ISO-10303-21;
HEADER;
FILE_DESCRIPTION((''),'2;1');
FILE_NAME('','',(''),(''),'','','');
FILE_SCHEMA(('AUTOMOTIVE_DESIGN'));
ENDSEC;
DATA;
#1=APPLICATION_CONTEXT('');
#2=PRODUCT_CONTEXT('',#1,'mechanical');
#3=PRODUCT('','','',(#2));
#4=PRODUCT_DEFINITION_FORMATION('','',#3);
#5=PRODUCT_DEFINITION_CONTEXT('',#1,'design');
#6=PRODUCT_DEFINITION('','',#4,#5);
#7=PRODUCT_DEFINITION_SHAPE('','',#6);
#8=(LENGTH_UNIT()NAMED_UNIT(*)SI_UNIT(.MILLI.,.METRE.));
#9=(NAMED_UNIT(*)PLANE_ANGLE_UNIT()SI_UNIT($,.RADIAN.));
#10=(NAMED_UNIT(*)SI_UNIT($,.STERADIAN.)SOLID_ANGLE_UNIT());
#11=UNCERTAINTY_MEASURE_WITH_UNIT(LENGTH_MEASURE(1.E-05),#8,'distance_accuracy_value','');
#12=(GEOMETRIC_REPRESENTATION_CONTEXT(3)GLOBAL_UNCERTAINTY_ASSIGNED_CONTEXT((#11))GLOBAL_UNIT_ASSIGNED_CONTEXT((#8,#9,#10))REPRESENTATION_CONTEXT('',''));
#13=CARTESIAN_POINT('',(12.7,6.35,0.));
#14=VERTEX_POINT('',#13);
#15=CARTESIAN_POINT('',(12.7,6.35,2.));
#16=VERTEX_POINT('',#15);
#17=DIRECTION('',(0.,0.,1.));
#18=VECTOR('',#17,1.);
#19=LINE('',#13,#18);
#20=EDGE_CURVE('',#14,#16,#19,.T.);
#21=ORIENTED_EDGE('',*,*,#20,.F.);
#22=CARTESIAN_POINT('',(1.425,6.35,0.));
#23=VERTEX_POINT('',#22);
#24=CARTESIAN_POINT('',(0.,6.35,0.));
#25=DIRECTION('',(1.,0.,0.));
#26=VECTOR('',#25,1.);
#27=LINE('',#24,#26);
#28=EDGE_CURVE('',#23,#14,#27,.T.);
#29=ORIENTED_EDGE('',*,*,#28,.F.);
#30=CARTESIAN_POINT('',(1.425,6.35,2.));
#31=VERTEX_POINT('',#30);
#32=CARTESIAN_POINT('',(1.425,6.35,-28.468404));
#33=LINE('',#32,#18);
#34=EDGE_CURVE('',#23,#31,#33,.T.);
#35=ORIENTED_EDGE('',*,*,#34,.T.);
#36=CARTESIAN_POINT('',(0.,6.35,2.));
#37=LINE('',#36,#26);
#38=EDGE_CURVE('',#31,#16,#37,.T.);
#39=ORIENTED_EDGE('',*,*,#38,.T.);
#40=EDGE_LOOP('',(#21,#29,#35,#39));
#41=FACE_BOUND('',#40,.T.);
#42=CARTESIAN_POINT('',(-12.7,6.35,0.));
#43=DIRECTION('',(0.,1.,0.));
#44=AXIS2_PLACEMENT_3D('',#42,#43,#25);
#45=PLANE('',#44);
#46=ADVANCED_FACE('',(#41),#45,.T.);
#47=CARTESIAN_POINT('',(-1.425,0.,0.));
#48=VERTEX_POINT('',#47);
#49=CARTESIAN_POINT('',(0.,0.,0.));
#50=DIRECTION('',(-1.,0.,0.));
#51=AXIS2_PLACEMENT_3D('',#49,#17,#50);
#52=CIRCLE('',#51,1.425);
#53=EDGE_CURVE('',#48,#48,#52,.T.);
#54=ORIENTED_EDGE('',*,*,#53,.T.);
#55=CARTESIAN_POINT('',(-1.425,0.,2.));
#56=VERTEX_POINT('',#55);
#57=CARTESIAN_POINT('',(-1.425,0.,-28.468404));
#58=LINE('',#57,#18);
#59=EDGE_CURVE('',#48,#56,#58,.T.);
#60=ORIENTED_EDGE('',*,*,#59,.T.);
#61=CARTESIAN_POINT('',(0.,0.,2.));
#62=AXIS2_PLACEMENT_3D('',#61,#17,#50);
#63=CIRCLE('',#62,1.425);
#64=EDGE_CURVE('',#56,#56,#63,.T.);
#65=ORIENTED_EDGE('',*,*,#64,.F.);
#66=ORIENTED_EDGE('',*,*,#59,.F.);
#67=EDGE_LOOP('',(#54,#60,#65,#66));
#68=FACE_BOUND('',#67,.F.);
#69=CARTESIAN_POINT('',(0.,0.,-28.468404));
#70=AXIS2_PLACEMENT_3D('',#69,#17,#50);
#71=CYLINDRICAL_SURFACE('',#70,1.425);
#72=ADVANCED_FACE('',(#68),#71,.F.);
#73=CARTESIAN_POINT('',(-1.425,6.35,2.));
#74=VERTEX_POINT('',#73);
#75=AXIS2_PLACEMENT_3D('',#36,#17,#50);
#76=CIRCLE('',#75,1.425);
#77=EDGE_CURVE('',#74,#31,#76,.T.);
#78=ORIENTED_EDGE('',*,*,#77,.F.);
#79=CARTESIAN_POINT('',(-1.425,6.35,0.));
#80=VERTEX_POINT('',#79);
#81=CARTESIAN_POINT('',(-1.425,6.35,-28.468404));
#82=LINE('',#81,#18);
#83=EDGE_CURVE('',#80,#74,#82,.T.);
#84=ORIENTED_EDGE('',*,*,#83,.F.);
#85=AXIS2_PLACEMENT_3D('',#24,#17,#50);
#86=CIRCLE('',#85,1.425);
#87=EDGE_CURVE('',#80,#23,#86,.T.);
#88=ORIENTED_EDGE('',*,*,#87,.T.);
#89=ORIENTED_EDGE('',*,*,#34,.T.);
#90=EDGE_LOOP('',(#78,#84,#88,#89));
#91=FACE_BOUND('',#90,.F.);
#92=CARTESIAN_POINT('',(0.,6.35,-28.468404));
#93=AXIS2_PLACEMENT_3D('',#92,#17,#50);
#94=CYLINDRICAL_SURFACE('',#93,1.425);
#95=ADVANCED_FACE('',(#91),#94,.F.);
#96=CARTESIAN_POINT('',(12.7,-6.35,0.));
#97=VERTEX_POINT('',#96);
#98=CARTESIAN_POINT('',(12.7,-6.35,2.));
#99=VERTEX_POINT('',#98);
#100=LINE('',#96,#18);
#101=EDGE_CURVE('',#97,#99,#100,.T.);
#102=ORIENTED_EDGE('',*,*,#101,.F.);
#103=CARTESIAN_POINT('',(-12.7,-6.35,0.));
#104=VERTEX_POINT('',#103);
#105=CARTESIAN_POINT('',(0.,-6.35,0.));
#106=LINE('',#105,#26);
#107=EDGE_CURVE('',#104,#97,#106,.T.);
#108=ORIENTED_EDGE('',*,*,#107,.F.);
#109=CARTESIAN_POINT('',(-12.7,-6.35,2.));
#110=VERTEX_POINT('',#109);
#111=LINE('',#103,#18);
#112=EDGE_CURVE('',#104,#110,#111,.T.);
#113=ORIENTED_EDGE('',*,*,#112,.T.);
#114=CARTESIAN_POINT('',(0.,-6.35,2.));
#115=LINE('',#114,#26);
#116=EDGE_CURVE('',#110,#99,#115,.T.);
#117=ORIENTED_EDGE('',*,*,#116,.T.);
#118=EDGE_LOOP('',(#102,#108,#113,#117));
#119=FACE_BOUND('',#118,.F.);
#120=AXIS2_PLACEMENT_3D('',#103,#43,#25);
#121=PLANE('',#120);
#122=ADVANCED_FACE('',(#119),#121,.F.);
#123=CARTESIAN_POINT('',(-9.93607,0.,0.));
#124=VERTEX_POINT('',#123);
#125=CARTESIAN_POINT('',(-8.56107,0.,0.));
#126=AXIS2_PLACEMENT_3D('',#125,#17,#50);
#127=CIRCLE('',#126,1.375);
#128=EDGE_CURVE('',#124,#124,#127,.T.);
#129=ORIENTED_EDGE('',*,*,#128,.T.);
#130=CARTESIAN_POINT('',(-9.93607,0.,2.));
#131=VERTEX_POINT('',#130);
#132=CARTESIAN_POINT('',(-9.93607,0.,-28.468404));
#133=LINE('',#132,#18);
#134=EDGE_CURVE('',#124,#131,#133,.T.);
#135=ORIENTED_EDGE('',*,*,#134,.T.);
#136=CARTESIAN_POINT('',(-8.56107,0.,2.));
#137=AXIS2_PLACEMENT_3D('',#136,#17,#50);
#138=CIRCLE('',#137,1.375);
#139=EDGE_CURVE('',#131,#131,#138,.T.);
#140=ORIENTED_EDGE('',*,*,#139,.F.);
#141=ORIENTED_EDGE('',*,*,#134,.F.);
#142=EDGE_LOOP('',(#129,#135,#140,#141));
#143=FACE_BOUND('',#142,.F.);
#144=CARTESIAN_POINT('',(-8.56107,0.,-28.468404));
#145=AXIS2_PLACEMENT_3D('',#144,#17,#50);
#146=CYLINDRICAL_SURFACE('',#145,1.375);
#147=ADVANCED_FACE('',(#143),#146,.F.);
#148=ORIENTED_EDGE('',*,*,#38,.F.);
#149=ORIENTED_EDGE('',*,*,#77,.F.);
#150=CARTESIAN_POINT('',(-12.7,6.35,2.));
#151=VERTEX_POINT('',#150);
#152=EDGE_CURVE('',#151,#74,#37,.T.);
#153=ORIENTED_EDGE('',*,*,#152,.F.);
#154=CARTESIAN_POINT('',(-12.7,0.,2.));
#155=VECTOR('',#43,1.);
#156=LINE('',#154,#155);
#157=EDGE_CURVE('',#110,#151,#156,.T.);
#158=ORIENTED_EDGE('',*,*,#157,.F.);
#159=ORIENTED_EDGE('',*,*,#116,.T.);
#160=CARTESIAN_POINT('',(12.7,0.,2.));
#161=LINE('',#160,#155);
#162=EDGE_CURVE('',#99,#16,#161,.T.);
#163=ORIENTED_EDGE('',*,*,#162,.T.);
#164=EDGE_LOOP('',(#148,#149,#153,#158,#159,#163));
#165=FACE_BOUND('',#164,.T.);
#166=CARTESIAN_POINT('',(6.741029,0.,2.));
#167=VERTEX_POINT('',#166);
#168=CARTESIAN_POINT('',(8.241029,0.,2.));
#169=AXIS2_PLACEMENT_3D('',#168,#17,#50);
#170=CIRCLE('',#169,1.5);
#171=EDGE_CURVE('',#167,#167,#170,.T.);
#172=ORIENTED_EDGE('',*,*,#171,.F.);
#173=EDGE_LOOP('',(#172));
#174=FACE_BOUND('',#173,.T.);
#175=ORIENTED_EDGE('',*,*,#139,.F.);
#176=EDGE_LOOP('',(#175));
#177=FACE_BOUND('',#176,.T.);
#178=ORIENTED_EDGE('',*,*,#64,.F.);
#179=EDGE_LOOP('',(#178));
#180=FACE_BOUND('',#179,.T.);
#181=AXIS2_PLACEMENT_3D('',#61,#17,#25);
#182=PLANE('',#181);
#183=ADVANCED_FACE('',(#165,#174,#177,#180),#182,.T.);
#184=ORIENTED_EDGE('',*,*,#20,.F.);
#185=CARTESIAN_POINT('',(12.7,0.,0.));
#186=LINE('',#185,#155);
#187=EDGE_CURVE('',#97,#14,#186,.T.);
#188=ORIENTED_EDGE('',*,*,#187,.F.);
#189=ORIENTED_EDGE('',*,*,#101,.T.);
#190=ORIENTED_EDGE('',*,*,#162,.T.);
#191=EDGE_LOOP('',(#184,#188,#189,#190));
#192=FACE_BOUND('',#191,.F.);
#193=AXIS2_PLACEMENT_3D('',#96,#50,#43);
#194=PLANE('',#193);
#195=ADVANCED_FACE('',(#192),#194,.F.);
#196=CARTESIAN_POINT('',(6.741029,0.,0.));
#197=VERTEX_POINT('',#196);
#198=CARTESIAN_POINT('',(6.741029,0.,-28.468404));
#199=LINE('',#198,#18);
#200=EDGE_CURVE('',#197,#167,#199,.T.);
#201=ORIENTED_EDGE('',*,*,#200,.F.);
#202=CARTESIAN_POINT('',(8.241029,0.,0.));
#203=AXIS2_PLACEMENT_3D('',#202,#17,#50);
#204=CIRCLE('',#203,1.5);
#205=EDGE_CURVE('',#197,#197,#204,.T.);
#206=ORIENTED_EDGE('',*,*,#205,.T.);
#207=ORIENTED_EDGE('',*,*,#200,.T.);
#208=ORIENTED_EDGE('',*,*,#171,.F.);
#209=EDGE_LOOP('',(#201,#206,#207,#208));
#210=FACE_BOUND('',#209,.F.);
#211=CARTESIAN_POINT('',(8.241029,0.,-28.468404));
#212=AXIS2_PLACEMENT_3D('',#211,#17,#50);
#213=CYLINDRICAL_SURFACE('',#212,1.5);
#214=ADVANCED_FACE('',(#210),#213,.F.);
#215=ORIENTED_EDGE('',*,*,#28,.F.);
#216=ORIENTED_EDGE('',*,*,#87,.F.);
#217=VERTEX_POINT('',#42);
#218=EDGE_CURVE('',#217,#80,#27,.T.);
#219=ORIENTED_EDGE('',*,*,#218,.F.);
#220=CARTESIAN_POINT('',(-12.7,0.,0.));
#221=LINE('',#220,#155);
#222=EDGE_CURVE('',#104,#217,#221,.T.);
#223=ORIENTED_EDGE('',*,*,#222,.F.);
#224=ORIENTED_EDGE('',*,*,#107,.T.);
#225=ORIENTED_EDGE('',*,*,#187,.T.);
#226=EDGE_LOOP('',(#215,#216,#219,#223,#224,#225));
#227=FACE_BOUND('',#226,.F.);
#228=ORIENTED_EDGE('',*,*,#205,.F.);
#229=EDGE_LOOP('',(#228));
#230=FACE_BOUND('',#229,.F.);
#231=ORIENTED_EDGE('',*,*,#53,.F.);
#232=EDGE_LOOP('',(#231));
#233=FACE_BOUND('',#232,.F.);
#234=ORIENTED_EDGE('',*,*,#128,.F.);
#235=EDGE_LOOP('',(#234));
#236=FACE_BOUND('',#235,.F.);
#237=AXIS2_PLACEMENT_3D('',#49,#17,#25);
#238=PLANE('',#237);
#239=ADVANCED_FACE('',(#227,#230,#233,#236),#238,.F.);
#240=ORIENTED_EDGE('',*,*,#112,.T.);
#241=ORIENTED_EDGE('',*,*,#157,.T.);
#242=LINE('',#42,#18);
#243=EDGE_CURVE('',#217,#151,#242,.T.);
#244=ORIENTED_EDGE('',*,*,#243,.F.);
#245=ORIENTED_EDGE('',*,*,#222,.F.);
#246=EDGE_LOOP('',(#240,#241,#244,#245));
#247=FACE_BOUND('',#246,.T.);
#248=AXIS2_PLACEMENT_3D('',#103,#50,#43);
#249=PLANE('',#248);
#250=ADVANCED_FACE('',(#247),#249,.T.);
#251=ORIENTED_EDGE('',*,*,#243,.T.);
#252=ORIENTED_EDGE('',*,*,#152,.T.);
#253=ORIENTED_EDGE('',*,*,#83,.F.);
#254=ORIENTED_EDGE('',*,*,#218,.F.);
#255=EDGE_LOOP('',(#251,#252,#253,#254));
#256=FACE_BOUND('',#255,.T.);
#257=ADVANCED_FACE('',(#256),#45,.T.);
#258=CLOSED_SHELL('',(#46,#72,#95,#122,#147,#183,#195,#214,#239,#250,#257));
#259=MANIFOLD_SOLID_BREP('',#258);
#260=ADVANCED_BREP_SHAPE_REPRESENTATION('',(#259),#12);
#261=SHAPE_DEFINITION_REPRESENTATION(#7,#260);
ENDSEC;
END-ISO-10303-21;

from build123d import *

# Parameters (mm, degrees)
F0_W     = 25.4
F0_H     = 12.7
F1_DEPTH = 2
F2_D     = 2.85
F3_D     = 3
F4_D     = 2.75


with BuildPart() as f1:
    # F0 (on Top) → F1 (new body)
    with BuildSketch(Plane.XY):
        Rectangle(F0_W, F0_H)
    extrude(amount=F1_DEPTH)

    # F2 (through all)
    with Locations(Plane(origin=(0, 0, 0), x_dir=(1, 0, 0), z_dir=(0, 0, -1))):
        with Locations((0, 0), (0, -6.35)):
            Hole(F2_D / 2)

    # F3 (through all)
    with Locations(Plane(origin=(0, 0, 0), x_dir=(1, 0, 0), z_dir=(0, 0, -1))):
        with Locations((8.2410294563, 0)):
            Hole(F3_D / 2)

    # F4 (through all)
    with Locations(Plane(origin=(0, 0, 0), x_dir=(1, 0, 0), z_dir=(0, 0, -1))):
        with Locations((-8.5610700771, 0)):
            Hole(F4_D / 2)


solid = f1.part
